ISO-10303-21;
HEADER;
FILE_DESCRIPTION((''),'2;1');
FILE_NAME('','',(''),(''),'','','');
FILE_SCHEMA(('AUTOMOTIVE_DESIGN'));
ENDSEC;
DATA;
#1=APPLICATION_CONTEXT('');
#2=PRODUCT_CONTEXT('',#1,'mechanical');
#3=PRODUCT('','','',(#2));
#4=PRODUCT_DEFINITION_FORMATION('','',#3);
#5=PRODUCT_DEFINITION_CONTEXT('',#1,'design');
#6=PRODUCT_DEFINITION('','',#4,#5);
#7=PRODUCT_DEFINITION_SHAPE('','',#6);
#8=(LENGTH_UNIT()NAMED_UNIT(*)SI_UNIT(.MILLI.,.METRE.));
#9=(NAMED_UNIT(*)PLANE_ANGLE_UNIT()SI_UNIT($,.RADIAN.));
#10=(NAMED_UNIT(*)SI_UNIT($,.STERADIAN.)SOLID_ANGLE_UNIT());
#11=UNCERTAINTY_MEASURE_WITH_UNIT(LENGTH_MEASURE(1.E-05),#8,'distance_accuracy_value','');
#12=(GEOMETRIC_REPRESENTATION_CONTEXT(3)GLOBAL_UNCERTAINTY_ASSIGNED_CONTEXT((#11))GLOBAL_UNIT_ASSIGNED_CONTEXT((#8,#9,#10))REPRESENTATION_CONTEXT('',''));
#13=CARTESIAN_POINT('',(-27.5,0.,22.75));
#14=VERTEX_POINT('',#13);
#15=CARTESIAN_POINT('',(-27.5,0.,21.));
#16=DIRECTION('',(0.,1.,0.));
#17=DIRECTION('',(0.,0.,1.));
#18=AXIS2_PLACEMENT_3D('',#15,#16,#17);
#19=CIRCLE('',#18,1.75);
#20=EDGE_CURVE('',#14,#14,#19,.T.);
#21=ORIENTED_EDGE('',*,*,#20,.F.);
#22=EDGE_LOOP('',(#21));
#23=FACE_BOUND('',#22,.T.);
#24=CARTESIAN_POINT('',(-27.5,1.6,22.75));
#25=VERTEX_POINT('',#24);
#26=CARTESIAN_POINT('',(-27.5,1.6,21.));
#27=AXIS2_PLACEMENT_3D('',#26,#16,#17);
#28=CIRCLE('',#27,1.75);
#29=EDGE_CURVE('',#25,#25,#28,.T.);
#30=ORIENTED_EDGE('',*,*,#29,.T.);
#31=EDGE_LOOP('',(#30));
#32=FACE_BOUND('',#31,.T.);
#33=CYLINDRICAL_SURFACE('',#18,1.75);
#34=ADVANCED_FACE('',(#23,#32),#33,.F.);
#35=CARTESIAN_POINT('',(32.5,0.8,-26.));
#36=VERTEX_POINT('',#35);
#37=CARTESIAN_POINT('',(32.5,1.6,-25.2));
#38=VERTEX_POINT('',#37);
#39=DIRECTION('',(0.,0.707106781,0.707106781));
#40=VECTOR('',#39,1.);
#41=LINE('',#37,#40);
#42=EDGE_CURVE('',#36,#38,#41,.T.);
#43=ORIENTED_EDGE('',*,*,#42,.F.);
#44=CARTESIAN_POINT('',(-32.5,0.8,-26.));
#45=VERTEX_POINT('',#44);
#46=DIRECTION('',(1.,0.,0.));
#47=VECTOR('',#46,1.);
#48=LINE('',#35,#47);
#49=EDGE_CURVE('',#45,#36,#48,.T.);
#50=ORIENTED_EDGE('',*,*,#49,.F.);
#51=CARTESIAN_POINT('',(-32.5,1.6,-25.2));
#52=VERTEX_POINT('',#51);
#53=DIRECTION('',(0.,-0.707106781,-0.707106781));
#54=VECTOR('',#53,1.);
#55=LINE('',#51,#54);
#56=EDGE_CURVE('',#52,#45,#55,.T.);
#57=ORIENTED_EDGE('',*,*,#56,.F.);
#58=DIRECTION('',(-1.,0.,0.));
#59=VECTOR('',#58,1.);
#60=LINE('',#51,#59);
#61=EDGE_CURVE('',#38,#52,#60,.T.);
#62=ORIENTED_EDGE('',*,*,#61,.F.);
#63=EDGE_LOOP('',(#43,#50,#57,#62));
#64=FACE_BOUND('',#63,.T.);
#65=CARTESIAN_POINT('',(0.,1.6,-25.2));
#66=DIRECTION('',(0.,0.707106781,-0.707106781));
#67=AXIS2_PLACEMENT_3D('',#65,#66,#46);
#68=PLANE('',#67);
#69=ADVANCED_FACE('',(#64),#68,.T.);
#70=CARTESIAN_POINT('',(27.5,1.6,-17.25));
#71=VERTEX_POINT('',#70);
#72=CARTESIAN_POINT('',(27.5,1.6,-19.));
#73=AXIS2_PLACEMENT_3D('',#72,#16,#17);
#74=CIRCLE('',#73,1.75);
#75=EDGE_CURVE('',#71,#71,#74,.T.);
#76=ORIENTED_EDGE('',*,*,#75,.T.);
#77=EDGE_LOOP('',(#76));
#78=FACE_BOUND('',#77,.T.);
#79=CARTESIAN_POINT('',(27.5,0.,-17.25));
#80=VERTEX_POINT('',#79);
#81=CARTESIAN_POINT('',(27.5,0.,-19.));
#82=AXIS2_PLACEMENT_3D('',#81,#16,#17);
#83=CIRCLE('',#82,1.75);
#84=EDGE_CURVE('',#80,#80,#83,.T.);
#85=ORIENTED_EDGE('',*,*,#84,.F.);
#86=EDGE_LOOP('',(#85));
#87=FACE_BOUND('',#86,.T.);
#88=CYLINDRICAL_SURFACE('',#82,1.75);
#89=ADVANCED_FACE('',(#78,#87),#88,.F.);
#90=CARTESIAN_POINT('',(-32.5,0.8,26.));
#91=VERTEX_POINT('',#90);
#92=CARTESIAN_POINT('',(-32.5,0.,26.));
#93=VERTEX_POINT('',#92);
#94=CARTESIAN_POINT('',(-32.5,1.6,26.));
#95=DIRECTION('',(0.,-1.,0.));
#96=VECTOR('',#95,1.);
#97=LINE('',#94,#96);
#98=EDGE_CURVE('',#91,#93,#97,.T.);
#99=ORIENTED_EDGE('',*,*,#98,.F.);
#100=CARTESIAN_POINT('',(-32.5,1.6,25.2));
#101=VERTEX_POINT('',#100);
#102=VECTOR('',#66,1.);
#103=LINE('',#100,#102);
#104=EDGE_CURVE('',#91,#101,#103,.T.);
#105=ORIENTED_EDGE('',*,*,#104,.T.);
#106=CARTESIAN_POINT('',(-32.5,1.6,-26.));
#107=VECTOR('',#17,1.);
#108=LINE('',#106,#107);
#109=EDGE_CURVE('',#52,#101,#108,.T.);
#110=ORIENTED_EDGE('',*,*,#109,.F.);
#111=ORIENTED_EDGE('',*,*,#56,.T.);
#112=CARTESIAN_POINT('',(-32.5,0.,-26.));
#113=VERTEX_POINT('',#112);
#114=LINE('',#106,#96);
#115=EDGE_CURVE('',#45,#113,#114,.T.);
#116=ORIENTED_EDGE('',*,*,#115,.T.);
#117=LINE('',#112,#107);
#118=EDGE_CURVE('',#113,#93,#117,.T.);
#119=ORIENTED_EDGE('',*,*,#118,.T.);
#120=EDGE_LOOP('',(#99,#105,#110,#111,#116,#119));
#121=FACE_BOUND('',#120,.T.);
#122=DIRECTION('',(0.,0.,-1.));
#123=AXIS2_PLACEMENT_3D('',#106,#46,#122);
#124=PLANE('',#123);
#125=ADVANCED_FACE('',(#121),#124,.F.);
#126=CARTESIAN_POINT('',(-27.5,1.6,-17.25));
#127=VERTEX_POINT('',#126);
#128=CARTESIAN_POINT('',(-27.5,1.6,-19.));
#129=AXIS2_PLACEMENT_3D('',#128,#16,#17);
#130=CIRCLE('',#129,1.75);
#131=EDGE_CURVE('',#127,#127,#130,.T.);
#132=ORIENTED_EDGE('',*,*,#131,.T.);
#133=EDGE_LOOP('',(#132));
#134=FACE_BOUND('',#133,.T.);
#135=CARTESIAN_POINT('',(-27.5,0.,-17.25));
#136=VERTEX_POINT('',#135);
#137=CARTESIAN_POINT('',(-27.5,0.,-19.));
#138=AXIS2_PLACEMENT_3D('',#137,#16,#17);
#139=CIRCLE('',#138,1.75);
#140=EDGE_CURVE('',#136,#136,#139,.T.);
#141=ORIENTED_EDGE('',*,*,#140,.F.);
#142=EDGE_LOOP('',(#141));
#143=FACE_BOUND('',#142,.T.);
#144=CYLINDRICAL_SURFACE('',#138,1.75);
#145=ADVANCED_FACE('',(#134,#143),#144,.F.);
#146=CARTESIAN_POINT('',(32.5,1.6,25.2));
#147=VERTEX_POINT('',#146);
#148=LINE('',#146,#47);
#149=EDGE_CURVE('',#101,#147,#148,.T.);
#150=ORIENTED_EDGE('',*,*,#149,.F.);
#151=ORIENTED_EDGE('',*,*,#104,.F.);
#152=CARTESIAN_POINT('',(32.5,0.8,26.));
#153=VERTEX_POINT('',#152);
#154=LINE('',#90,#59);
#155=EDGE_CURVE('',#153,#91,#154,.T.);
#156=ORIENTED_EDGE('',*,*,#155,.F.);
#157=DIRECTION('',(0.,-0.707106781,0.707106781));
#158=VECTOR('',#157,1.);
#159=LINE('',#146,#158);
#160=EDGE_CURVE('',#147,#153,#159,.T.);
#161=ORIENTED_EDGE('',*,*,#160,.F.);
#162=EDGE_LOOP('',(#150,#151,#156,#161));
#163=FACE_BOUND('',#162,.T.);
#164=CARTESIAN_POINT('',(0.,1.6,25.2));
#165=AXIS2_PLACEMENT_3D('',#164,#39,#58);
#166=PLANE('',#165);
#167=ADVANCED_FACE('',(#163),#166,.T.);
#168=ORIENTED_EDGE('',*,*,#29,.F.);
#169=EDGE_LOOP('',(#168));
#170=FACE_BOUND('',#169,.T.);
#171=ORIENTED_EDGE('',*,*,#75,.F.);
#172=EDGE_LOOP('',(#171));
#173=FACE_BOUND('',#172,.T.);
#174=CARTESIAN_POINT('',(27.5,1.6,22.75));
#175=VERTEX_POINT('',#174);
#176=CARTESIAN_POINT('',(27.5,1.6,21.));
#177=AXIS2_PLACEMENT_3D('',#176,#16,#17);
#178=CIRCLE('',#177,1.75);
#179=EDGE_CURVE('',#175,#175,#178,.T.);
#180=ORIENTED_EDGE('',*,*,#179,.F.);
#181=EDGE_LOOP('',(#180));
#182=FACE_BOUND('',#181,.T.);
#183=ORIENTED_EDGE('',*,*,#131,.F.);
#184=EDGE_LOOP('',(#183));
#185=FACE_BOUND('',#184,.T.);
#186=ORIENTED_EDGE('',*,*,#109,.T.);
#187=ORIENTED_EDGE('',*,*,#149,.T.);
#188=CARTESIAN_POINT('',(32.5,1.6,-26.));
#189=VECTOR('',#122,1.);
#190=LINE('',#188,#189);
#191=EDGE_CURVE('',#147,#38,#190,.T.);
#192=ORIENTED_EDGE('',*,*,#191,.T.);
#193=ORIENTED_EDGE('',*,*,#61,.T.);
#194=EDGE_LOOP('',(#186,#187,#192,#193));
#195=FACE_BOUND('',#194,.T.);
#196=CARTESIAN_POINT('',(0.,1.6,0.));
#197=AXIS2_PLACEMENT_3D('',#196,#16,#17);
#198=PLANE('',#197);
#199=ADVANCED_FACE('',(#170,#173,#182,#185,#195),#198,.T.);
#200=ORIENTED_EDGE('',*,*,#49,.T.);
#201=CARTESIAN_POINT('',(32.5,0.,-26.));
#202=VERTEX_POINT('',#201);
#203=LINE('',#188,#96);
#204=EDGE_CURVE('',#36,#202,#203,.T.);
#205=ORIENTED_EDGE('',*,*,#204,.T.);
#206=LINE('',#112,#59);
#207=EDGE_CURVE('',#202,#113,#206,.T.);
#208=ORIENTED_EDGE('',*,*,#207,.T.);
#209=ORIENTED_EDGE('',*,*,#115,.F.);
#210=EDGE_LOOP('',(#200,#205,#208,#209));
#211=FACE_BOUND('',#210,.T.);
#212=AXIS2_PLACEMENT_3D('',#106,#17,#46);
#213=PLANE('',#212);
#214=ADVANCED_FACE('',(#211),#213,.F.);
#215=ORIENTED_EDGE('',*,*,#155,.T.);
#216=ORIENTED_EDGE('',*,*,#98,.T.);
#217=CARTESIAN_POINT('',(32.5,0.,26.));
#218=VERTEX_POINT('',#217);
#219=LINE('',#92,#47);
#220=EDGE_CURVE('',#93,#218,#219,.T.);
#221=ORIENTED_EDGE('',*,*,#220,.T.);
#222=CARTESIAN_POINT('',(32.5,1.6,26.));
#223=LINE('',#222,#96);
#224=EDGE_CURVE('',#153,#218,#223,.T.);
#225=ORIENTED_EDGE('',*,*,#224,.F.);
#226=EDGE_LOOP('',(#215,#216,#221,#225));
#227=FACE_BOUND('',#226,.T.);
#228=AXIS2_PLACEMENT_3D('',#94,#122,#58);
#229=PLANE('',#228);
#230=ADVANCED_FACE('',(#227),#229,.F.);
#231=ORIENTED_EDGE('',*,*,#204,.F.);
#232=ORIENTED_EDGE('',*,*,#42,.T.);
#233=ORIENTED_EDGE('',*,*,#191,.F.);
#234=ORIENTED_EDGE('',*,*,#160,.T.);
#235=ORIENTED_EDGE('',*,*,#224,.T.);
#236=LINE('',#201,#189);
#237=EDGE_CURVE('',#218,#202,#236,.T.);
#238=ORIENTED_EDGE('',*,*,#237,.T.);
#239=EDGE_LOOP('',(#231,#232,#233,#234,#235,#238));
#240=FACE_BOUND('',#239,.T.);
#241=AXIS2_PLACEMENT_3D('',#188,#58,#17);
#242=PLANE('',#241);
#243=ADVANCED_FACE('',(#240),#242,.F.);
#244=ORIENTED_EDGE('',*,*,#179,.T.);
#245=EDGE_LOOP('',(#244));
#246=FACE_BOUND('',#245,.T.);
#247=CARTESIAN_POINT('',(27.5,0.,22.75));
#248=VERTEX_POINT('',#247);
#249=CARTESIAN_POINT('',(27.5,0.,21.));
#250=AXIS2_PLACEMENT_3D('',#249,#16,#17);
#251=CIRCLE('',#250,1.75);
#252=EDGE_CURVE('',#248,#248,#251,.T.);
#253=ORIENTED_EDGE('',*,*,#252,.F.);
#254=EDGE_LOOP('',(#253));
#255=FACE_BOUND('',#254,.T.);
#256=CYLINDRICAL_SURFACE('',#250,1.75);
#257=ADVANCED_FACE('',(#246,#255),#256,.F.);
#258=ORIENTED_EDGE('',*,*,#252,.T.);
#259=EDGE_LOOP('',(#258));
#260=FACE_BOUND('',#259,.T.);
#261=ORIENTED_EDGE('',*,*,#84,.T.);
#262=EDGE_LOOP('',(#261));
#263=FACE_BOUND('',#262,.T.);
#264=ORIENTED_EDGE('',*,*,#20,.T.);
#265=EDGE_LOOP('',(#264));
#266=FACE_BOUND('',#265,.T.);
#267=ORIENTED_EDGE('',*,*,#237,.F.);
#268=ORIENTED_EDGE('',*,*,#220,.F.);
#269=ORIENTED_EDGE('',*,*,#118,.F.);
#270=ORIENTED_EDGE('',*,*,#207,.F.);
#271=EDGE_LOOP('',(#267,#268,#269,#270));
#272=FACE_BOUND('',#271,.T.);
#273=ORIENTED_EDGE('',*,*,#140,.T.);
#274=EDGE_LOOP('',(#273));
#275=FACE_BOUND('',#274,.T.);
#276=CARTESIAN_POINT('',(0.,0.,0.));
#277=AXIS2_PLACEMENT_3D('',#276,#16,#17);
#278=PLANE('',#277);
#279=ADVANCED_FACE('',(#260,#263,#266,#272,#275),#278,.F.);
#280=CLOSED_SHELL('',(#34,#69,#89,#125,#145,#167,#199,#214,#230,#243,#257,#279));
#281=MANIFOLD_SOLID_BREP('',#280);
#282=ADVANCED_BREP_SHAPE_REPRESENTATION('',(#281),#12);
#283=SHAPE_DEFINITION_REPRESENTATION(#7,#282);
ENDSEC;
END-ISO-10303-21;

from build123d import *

# Parameters (mm, degrees)
SKETCH1_W           = 65
SKETCH1_H           = 52
BOSS_EXTRUDE1_DEPTH = 1.6
SKETCH2_R           = 1.75
CUT_EXTRUDE1_DEPTH  = 2.6
CHAMFER1_SIZE       = 0.8


with BuildPart() as part:
    # Sketch1 → Boss-Extrude1 (new body)
    with BuildSketch(Plane(origin=(0, 0, 0), x_dir=(1, 0, 0), z_dir=(0, 1, 0))):
        Rectangle(SKETCH1_W, SKETCH1_H)
    extrude(amount=BOSS_EXTRUDE1_DEPTH)

    # Sketch2 → Cut-Extrude1 (cut, through all)
    with BuildSketch(Plane(origin=(0, 1.6, 0), x_dir=(1, 0, 0), z_dir=(0, 1, 0))):
        with Locations((-27.5, -21)):
            Circle(SKETCH2_R)
        with Locations((-27.5, 19)):
            Circle(SKETCH2_R)
        with Locations((27.5, 19)):
            Circle(SKETCH2_R)
        with Locations((27.5, -21)):
            Circle(SKETCH2_R)
    extrude(amount=-CUT_EXTRUDE1_DEPTH, mode=Mode.SUBTRACT)

    # Chamfer1
    chamfer1_edges = [part.edges().sort_by_distance(p)[0] for p in [
        (0, 1.6, 26),
        (0, 1.6, -26),
    ]]
    chamfer(chamfer1_edges, length=CHAMFER1_SIZE)


solid = part.part
